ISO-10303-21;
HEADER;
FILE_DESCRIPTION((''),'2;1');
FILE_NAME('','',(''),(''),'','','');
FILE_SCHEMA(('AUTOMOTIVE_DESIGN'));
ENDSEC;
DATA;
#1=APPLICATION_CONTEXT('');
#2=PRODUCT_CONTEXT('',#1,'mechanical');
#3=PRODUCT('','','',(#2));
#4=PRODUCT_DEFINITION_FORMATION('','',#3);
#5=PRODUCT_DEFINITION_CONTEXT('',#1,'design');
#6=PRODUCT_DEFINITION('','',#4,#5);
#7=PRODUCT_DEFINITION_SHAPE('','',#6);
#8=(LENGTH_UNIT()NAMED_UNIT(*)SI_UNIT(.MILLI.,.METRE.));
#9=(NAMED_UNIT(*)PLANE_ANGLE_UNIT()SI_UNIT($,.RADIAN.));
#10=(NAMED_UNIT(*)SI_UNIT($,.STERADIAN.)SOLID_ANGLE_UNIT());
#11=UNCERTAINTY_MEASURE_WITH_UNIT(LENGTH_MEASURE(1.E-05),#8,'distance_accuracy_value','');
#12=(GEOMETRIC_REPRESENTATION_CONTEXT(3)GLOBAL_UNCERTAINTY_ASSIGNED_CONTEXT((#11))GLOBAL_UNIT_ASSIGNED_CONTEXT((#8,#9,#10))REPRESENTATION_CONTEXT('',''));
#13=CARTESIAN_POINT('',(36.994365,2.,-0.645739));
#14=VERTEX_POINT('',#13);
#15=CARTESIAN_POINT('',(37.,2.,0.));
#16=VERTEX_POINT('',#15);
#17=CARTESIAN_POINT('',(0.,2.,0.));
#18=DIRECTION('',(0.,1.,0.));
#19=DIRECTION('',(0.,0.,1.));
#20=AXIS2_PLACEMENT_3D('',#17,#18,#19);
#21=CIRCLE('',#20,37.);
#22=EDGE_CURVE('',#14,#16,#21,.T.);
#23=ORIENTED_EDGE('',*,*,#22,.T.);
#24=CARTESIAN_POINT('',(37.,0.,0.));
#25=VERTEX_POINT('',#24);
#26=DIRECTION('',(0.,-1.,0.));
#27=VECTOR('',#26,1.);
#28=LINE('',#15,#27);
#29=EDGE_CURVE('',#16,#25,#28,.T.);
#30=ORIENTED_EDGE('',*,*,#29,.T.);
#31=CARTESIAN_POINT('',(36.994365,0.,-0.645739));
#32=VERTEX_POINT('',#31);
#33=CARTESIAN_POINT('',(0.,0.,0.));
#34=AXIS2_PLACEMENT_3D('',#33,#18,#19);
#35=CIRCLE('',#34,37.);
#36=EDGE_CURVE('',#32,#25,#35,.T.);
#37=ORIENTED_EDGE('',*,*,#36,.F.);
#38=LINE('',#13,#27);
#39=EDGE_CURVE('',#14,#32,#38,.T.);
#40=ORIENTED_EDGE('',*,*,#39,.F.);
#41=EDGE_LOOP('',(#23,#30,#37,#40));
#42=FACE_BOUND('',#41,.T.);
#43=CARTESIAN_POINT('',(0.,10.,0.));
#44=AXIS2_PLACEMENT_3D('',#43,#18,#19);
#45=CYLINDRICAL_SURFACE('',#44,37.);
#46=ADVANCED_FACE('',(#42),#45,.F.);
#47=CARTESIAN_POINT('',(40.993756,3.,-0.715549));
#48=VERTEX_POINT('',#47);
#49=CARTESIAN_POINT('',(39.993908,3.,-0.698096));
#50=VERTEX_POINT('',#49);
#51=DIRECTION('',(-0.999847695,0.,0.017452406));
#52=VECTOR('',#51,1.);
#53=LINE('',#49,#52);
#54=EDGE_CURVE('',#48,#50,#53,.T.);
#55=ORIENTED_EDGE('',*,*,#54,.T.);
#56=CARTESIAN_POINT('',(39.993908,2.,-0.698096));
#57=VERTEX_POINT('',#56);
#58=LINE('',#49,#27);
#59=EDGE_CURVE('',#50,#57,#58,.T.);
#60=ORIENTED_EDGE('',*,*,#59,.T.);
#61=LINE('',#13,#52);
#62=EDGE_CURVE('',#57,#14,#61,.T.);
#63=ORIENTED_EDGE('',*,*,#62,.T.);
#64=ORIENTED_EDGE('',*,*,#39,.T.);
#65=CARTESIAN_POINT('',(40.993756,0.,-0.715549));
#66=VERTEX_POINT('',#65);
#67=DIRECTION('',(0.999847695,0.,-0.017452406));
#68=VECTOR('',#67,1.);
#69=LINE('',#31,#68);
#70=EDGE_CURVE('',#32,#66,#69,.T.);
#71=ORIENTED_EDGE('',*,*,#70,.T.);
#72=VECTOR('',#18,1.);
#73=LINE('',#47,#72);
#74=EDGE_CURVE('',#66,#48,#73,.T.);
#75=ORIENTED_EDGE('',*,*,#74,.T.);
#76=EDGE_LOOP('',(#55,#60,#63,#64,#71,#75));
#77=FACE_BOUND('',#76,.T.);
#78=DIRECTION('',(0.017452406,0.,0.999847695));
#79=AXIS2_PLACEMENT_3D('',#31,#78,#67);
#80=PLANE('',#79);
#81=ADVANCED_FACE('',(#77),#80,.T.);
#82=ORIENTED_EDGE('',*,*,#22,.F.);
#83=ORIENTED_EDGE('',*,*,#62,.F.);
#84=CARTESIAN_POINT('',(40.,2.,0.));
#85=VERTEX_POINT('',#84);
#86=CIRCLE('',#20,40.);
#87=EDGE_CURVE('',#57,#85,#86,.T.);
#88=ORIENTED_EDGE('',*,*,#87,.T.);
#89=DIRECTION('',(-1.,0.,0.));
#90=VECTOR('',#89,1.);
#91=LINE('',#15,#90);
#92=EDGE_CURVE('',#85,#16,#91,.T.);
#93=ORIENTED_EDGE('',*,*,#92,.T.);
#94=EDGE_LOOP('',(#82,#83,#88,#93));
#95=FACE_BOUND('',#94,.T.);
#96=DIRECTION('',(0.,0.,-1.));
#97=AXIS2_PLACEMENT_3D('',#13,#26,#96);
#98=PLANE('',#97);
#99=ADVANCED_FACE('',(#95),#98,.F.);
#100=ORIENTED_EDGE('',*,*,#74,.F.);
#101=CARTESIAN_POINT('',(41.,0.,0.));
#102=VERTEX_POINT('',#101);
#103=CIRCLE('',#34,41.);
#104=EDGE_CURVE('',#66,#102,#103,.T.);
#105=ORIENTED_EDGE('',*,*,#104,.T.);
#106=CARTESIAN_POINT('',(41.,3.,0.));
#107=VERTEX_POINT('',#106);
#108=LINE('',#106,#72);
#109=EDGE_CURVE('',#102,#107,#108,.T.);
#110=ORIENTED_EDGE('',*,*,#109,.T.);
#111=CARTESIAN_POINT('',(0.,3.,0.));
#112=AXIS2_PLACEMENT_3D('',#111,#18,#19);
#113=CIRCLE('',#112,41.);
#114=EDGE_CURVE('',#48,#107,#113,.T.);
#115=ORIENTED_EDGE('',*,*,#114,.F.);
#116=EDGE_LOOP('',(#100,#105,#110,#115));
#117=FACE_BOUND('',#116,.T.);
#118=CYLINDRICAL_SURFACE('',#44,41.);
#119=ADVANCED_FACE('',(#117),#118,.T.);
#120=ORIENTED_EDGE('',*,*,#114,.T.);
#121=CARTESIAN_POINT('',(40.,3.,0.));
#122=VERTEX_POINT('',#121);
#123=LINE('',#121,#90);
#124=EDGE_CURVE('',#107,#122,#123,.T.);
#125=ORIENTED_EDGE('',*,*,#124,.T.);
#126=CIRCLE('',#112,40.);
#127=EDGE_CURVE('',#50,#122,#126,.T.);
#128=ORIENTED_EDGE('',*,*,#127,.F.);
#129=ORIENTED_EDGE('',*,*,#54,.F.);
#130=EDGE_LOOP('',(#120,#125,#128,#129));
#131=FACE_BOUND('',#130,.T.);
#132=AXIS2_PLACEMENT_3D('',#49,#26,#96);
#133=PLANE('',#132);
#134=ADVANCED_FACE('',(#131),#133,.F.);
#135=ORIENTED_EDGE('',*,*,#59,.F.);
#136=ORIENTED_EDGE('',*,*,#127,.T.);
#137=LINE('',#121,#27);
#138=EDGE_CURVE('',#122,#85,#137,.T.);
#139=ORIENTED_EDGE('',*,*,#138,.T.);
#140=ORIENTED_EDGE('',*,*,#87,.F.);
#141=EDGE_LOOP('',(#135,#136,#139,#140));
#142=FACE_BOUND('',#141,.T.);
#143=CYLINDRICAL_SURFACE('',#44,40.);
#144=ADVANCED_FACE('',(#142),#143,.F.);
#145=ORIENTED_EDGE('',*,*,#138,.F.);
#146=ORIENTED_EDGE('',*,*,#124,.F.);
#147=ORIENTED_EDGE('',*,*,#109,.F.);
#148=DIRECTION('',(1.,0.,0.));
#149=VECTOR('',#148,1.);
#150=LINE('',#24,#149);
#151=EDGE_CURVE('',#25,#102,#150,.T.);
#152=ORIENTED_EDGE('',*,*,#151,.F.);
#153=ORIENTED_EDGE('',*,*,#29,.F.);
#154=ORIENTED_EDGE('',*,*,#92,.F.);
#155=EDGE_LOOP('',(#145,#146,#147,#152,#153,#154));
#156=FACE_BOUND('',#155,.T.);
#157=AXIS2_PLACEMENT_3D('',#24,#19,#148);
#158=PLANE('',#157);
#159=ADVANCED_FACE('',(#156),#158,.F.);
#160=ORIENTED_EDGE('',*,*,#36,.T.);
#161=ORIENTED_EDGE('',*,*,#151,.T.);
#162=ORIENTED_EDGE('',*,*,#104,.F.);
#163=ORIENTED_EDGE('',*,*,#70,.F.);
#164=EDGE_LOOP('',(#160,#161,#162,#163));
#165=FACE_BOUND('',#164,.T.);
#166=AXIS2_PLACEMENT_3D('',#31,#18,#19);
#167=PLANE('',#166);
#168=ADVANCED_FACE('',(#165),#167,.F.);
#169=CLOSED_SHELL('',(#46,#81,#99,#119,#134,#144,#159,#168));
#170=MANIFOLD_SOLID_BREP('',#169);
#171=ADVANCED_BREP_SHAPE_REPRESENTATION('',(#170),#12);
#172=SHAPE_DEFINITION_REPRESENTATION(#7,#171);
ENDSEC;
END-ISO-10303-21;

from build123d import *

# Parameters (mm, degrees)
REVOLVE_1_ANGLE = 359


with BuildPart() as part:
    # 草图1 → 旋转1 (revolve)
    with BuildSketch(Plane.XY):
        Polygon((40, 3), (41, 3), (41, 0), (37, 0), (37, 2), (40, 2), align=None)
    revolve(axis=Axis((0, 10, 0), (0, -1, 0)), revolution_arc=REVOLVE_1_ANGLE)


solid = part.part
